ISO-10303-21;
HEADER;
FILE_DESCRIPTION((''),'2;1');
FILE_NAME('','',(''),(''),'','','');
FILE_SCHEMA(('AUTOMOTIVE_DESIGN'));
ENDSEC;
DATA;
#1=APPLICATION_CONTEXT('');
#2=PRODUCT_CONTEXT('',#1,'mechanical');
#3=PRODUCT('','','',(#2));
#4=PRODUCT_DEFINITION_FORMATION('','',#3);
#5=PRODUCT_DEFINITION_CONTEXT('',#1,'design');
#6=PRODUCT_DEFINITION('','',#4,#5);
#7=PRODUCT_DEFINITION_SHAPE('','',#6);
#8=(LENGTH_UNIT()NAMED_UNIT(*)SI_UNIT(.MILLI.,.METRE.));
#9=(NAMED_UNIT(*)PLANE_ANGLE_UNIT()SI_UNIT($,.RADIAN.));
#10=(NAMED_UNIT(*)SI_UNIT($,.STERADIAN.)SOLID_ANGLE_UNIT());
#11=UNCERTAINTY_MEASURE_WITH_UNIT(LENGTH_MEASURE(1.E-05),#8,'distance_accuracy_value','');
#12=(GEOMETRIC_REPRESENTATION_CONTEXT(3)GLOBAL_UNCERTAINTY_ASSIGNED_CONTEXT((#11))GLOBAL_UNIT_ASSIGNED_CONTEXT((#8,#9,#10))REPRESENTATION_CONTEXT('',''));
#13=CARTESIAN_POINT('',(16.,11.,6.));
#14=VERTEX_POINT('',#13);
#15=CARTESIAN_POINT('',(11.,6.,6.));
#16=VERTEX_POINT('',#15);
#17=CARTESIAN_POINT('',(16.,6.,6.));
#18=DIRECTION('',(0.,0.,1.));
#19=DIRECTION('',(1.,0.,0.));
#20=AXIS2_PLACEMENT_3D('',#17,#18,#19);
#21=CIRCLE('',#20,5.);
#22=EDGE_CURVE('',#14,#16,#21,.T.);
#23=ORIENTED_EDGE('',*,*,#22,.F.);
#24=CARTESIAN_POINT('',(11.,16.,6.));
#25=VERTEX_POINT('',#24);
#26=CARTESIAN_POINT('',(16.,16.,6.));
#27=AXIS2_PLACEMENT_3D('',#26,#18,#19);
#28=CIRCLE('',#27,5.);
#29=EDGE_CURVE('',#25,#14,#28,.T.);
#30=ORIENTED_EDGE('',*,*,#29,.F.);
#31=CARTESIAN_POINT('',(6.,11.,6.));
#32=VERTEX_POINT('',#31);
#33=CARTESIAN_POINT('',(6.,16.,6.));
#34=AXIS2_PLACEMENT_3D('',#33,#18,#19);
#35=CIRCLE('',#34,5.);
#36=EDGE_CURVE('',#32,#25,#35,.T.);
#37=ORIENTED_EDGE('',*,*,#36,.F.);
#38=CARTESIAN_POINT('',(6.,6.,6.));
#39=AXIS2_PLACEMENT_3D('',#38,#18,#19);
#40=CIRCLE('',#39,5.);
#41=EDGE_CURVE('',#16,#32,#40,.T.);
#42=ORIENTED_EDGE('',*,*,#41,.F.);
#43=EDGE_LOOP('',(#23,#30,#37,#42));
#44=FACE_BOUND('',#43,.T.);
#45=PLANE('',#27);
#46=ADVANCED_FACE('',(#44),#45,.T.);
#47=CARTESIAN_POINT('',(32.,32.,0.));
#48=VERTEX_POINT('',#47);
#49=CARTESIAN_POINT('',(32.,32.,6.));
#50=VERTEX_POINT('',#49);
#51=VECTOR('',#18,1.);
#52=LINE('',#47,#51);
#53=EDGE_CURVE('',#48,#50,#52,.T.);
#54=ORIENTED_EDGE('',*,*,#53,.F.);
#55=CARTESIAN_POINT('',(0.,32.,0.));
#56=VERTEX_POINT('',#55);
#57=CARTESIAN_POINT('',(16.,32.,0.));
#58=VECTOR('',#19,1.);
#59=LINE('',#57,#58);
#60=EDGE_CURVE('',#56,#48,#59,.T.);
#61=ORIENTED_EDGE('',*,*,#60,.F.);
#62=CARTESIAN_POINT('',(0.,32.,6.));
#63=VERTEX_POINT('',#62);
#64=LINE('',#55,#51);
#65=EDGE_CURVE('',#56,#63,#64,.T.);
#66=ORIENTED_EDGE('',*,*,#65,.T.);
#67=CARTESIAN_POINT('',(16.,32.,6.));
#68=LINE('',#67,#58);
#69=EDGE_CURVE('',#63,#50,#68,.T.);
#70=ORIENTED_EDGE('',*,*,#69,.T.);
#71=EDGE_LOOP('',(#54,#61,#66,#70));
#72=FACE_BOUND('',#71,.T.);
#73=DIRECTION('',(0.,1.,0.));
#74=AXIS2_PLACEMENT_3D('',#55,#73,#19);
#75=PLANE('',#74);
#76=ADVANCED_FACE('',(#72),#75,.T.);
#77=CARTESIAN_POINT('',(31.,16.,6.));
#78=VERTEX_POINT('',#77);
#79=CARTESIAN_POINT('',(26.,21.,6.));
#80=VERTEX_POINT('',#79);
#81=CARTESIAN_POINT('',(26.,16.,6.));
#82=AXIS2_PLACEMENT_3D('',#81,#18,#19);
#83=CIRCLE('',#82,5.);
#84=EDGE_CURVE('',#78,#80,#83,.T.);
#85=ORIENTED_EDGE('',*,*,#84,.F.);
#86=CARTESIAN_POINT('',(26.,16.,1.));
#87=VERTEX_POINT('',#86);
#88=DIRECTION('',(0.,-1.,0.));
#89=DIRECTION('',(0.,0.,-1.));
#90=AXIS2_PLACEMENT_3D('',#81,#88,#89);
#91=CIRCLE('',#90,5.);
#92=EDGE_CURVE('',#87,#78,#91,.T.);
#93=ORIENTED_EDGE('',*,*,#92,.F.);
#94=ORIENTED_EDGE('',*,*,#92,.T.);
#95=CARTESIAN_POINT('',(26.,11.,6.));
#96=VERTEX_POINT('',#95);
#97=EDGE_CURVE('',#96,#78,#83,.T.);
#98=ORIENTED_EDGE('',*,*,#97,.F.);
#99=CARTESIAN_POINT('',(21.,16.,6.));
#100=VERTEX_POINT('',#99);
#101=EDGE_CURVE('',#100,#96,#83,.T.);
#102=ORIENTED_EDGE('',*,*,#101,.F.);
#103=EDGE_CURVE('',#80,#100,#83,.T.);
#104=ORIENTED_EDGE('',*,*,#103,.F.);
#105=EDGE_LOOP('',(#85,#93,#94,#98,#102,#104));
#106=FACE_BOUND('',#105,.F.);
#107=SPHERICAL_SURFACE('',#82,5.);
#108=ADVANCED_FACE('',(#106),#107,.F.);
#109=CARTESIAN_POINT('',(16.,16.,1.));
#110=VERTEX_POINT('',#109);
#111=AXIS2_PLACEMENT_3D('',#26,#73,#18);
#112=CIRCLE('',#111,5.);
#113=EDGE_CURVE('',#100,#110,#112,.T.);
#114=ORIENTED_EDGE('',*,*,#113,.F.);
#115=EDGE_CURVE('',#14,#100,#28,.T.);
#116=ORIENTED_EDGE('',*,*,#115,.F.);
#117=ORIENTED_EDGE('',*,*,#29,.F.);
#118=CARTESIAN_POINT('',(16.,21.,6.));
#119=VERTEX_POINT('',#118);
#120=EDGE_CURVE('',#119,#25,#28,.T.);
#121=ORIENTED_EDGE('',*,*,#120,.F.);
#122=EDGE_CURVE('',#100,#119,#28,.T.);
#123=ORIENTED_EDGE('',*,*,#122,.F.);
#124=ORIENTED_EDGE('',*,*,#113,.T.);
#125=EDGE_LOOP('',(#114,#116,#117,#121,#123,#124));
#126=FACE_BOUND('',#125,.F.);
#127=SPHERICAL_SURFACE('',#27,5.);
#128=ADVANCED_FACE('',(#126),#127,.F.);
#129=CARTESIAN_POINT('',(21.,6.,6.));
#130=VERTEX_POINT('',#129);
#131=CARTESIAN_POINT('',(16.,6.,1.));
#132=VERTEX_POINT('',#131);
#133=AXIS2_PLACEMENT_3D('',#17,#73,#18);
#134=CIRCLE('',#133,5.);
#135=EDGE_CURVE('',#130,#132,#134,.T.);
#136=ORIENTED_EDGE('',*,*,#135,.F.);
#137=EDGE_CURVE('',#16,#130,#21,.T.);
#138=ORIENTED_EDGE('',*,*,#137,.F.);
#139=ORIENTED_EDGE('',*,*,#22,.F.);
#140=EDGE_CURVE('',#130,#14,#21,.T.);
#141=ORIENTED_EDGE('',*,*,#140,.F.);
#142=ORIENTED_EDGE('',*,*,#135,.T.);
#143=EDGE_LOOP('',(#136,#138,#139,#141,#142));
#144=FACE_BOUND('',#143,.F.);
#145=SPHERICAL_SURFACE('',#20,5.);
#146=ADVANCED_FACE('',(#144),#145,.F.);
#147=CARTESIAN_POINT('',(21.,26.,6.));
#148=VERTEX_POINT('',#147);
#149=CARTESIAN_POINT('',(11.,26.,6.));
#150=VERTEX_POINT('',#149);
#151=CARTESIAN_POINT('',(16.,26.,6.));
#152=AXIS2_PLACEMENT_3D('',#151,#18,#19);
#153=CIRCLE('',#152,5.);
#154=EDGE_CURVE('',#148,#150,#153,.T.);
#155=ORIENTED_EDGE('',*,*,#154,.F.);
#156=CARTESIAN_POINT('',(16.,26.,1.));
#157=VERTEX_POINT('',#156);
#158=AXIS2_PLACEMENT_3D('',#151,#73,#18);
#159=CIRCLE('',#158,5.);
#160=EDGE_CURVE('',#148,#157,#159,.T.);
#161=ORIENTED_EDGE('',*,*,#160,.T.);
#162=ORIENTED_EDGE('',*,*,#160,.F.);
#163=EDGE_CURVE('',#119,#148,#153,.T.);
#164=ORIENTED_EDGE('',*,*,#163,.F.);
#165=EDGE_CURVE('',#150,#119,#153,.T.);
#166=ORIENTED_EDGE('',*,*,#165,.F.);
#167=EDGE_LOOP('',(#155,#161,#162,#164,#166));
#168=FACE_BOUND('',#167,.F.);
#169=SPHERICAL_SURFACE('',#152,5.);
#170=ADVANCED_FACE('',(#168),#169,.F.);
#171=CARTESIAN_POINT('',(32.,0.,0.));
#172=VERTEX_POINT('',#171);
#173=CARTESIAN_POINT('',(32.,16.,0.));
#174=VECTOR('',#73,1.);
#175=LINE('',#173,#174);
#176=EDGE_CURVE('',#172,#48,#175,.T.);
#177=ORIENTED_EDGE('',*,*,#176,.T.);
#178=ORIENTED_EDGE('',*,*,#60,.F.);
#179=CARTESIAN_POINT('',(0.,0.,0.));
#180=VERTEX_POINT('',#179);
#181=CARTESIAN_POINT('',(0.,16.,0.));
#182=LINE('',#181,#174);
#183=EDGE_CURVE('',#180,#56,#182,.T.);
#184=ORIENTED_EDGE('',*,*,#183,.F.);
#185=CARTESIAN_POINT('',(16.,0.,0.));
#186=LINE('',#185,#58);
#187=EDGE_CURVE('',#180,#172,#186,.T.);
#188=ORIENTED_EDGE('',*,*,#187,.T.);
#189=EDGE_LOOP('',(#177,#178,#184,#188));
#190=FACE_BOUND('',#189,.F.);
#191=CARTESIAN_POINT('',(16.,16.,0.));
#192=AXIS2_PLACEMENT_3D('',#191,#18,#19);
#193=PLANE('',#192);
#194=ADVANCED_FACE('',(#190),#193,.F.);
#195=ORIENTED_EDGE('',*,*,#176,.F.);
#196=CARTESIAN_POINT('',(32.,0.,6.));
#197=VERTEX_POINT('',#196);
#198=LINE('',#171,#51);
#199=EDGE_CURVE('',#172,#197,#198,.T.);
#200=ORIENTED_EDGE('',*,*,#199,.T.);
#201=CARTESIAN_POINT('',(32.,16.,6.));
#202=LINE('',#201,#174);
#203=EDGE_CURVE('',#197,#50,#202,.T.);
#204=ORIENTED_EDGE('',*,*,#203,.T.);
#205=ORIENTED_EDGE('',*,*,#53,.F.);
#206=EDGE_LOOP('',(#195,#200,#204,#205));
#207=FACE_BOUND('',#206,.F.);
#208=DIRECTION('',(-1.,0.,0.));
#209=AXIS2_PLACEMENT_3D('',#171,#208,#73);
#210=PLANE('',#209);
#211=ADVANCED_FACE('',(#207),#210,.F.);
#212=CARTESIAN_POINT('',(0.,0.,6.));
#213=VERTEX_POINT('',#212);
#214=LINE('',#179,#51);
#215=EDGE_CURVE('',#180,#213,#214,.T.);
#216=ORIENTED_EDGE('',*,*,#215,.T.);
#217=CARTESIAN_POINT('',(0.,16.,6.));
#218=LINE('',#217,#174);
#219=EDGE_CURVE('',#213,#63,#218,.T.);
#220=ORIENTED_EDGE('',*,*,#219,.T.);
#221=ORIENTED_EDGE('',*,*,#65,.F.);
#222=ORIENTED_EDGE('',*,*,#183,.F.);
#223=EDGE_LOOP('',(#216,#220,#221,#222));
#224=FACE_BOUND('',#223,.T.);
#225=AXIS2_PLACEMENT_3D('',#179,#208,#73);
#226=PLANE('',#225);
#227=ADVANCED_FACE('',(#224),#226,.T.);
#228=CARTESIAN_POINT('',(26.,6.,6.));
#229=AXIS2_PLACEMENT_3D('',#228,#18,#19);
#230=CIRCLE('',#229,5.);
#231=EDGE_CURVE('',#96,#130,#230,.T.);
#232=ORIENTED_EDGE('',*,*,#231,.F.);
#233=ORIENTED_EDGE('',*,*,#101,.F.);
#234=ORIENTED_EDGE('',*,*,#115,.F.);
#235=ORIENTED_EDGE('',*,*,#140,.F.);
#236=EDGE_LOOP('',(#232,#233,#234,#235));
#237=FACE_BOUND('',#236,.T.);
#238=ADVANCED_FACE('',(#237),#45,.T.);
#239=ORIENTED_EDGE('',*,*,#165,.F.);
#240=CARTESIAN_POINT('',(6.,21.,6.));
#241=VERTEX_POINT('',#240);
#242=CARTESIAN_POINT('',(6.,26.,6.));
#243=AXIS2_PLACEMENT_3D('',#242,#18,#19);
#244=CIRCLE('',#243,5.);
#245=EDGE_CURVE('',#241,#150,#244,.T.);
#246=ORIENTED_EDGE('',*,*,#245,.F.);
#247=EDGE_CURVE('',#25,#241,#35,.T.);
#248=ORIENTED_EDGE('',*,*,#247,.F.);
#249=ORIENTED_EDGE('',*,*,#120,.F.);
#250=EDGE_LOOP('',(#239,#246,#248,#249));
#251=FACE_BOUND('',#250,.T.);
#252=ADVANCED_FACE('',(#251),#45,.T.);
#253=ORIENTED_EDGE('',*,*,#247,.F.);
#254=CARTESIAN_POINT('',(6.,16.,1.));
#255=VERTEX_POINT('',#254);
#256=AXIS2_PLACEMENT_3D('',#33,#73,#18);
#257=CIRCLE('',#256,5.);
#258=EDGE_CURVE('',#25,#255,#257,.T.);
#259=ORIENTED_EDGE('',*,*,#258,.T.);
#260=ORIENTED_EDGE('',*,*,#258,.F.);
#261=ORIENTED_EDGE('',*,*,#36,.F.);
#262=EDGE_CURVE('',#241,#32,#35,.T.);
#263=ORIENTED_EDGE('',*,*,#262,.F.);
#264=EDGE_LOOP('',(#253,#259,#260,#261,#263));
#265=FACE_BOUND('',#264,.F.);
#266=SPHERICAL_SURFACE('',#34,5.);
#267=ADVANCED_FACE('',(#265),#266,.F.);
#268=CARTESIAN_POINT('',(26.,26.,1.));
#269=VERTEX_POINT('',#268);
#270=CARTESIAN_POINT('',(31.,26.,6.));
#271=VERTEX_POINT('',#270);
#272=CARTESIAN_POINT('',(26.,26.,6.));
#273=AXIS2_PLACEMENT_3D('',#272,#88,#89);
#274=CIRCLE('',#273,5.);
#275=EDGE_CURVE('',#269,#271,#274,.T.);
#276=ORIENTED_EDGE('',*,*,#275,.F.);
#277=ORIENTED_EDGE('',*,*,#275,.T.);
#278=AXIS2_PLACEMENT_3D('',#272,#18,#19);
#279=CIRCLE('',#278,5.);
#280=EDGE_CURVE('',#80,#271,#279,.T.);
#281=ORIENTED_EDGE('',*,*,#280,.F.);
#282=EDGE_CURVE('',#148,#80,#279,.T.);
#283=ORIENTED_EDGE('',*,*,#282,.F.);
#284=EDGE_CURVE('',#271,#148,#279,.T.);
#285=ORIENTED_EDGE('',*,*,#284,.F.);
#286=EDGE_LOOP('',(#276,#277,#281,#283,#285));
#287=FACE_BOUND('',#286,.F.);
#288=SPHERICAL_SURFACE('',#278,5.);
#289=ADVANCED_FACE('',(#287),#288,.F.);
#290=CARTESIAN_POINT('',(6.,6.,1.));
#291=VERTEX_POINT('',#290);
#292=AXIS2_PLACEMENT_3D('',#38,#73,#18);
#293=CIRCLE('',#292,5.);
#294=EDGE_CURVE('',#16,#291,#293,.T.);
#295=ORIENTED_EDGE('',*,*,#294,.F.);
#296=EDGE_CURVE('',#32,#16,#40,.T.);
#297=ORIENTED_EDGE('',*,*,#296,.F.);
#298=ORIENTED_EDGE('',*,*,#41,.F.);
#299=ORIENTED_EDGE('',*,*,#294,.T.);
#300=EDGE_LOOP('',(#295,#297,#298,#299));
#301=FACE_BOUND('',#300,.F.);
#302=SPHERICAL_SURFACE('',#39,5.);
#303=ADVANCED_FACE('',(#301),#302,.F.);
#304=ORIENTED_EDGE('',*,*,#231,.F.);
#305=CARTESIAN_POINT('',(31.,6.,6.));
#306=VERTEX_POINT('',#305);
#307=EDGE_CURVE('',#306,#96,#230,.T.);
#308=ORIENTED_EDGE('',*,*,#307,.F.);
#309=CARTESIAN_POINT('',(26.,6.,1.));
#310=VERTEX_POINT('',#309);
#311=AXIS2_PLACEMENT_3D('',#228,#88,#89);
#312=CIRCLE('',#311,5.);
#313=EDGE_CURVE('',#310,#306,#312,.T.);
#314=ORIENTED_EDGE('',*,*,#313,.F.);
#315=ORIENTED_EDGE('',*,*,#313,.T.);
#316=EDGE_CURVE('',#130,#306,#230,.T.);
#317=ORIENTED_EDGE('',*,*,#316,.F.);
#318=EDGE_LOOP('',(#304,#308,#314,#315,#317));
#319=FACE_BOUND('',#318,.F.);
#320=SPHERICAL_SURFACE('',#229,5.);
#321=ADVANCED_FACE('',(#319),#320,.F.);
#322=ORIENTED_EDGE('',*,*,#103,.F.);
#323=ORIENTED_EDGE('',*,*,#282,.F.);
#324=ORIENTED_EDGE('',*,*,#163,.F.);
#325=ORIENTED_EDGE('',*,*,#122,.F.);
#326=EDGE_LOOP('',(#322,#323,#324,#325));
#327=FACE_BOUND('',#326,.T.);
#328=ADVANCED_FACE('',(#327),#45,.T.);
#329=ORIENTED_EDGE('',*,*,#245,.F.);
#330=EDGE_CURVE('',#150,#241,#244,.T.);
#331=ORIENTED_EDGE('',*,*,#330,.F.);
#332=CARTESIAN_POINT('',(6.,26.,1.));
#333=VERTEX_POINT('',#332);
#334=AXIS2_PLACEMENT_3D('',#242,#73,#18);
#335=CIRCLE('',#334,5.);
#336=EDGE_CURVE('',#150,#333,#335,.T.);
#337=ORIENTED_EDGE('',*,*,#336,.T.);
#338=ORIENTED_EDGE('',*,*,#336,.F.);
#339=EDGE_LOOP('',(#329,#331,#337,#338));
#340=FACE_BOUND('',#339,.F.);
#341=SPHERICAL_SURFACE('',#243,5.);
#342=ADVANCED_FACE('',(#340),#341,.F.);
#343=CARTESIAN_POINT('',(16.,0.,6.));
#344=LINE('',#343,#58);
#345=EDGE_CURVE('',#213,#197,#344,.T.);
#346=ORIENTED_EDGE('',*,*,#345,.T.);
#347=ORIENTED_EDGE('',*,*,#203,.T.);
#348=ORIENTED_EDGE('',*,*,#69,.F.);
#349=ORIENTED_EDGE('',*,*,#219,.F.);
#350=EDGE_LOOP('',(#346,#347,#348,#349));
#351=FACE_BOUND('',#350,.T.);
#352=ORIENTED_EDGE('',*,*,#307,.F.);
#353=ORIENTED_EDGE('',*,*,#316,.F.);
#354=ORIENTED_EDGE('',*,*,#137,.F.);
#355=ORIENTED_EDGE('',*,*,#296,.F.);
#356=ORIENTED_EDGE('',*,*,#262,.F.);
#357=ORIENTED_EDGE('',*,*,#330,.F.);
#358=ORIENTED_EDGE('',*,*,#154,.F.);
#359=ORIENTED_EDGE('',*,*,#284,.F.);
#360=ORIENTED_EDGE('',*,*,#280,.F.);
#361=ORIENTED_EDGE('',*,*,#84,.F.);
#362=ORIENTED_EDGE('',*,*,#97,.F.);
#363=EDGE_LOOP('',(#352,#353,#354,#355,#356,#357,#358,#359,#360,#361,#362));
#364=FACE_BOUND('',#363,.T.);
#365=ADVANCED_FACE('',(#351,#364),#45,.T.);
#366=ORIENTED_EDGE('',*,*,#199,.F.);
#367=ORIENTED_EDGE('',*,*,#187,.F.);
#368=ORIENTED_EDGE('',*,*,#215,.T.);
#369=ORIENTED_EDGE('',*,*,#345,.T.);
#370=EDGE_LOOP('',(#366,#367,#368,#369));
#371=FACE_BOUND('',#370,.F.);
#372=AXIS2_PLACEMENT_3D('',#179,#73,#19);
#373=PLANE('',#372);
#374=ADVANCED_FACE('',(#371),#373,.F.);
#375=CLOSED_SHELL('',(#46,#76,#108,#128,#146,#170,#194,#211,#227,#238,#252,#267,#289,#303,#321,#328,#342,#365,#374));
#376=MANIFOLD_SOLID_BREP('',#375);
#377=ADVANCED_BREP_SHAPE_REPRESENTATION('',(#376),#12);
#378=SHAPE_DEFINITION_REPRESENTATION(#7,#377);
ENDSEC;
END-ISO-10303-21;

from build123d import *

# Parameters (mm, degrees)
BOX_W     = 32
BOX_H     = 32
BOX_DEPTH = 6


with BuildPart() as esfera003:
    # Sphere003 → Sphere003 (revolve)
    with BuildSketch(Plane(origin=(10, 0, 0), x_dir=(1, 0, 0), z_dir=(0, -1, 0))):
        with BuildLine():
            ThreePointArc((0, -5), (5, 0), (0, 5))
            Line((0, 5), (0, -5))
        make_face()
    revolve(axis=Axis((10, 0, 0), (0, 0, 1)))


with BuildPart() as esfera002:
    # Sphere002 → Sphere002 (revolve)
    with BuildSketch(Plane.XZ.offset(-20)):
        with BuildLine():
            ThreePointArc((0, -5), (5, 0), (0, 5))
            Line((0, 5), (0, -5))
        make_face()
    revolve(axis=Axis((0, 20, 0), (0, 0, 1)))


with BuildPart() as esfera:
    # Sphere → Sphere (revolve)
    with BuildSketch(Plane.XZ):
        with BuildLine():
            ThreePointArc((0, -5), (5, 0), (0, 5))
            Line((0, 5), (0, -5))
        make_face()
    revolve(axis=Axis((0, 0, 0), (0, 0, 1)))


with BuildPart() as esfera001:
    # Sphere001 → Sphere001 (revolve)
    with BuildSketch(Plane.XZ.offset(-10)):
        with BuildLine():
            ThreePointArc((0, -5), (5, 0), (0, 5))
            Line((0, 5), (0, -5))
        make_face()
    revolve(axis=Axis((0, 10, 0), (0, 0, 1)))


with BuildPart() as esfera004:
    # Sphere004 → Sphere004 (revolve)
    with BuildSketch(Plane(origin=(10, 10, 0), x_dir=(1, 0, 0), z_dir=(0, -1, 0))):
        with BuildLine():
            ThreePointArc((0, -5), (5, 0), (0, 5))
            Line((0, 5), (0, -5))
        make_face()
    revolve(axis=Axis((10, 10, 0), (0, 0, 1)))


with BuildPart() as esfera007:
    # Sphere007 → Sphere007 (revolve)
    with BuildSketch(Plane(origin=(20, 10, 0), x_dir=(1, 0, 0), z_dir=(0, -1, 0))):
        with BuildLine():
            ThreePointArc((0, -5), (5, 0), (0, 5))
            Line((0, 5), (0, -5))
        make_face()
    revolve(axis=Axis((20, 10, 0), (0, 0, 1)))


with BuildPart() as esfera005:
    # Sphere005 → Sphere005 (revolve)
    with BuildSketch(Plane(origin=(10, 20, 0), x_dir=(1, 0, 0), z_dir=(0, -1, 0))):
        with BuildLine():
            ThreePointArc((0, -5), (5, 0), (0, 5))
            Line((0, 5), (0, -5))
        make_face()
    revolve(axis=Axis((10, 20, 0), (0, 0, 1)))


with BuildPart() as esfera006:
    # Sphere006 → Sphere006 (revolve)
    with BuildSketch(Plane(origin=(20, 0, 0), x_dir=(1, 0, 0), z_dir=(0, -1, 0))):
        with BuildLine():
            ThreePointArc((0, -5), (5, 0), (0, 5))
            Line((0, 5), (0, -5))
        make_face()
    revolve(axis=Axis((20, 0, 0), (0, 0, 1)))


with BuildPart() as fusion:
    # Sphere008 → Sphere008 (revolve)
    with BuildSketch(Plane(origin=(20, 20, 0), x_dir=(1, 0, 0), z_dir=(0, -1, 0))):
        with BuildLine():
            ThreePointArc((0, -5), (5, 0), (0, 5))
            Line((0, 5), (0, -5))
        make_face()
    revolve(axis=Axis((20, 20, 0), (0, 0, 1)))

    # Fusion: union Esfera003, Esfera002, Esfera, Esfera001, Esfera004, Esfera007, Esfera005, Esfera006
    add(esfera003.part)
    add(esfera002.part)
    add(esfera.part)
    add(esfera001.part)
    add(esfera004.part)
    add(esfera007.part)
    add(esfera005.part)
    add(esfera006.part)


with BuildPart() as fusion_1:
    # Fusion placement: moved
    add(fusion.part.moved(Location((6, 6, 6))))


with BuildPart() as cut:
    # Box → Box (new body)
    with BuildSketch(Plane.XY):
        with Locations((16, 16)):
            Rectangle(BOX_W, BOX_H)
    extrude(amount=BOX_DEPTH)

    # Cut: cut Fusion
    add(fusion_1.part, mode=Mode.SUBTRACT)


solid = cut.part
